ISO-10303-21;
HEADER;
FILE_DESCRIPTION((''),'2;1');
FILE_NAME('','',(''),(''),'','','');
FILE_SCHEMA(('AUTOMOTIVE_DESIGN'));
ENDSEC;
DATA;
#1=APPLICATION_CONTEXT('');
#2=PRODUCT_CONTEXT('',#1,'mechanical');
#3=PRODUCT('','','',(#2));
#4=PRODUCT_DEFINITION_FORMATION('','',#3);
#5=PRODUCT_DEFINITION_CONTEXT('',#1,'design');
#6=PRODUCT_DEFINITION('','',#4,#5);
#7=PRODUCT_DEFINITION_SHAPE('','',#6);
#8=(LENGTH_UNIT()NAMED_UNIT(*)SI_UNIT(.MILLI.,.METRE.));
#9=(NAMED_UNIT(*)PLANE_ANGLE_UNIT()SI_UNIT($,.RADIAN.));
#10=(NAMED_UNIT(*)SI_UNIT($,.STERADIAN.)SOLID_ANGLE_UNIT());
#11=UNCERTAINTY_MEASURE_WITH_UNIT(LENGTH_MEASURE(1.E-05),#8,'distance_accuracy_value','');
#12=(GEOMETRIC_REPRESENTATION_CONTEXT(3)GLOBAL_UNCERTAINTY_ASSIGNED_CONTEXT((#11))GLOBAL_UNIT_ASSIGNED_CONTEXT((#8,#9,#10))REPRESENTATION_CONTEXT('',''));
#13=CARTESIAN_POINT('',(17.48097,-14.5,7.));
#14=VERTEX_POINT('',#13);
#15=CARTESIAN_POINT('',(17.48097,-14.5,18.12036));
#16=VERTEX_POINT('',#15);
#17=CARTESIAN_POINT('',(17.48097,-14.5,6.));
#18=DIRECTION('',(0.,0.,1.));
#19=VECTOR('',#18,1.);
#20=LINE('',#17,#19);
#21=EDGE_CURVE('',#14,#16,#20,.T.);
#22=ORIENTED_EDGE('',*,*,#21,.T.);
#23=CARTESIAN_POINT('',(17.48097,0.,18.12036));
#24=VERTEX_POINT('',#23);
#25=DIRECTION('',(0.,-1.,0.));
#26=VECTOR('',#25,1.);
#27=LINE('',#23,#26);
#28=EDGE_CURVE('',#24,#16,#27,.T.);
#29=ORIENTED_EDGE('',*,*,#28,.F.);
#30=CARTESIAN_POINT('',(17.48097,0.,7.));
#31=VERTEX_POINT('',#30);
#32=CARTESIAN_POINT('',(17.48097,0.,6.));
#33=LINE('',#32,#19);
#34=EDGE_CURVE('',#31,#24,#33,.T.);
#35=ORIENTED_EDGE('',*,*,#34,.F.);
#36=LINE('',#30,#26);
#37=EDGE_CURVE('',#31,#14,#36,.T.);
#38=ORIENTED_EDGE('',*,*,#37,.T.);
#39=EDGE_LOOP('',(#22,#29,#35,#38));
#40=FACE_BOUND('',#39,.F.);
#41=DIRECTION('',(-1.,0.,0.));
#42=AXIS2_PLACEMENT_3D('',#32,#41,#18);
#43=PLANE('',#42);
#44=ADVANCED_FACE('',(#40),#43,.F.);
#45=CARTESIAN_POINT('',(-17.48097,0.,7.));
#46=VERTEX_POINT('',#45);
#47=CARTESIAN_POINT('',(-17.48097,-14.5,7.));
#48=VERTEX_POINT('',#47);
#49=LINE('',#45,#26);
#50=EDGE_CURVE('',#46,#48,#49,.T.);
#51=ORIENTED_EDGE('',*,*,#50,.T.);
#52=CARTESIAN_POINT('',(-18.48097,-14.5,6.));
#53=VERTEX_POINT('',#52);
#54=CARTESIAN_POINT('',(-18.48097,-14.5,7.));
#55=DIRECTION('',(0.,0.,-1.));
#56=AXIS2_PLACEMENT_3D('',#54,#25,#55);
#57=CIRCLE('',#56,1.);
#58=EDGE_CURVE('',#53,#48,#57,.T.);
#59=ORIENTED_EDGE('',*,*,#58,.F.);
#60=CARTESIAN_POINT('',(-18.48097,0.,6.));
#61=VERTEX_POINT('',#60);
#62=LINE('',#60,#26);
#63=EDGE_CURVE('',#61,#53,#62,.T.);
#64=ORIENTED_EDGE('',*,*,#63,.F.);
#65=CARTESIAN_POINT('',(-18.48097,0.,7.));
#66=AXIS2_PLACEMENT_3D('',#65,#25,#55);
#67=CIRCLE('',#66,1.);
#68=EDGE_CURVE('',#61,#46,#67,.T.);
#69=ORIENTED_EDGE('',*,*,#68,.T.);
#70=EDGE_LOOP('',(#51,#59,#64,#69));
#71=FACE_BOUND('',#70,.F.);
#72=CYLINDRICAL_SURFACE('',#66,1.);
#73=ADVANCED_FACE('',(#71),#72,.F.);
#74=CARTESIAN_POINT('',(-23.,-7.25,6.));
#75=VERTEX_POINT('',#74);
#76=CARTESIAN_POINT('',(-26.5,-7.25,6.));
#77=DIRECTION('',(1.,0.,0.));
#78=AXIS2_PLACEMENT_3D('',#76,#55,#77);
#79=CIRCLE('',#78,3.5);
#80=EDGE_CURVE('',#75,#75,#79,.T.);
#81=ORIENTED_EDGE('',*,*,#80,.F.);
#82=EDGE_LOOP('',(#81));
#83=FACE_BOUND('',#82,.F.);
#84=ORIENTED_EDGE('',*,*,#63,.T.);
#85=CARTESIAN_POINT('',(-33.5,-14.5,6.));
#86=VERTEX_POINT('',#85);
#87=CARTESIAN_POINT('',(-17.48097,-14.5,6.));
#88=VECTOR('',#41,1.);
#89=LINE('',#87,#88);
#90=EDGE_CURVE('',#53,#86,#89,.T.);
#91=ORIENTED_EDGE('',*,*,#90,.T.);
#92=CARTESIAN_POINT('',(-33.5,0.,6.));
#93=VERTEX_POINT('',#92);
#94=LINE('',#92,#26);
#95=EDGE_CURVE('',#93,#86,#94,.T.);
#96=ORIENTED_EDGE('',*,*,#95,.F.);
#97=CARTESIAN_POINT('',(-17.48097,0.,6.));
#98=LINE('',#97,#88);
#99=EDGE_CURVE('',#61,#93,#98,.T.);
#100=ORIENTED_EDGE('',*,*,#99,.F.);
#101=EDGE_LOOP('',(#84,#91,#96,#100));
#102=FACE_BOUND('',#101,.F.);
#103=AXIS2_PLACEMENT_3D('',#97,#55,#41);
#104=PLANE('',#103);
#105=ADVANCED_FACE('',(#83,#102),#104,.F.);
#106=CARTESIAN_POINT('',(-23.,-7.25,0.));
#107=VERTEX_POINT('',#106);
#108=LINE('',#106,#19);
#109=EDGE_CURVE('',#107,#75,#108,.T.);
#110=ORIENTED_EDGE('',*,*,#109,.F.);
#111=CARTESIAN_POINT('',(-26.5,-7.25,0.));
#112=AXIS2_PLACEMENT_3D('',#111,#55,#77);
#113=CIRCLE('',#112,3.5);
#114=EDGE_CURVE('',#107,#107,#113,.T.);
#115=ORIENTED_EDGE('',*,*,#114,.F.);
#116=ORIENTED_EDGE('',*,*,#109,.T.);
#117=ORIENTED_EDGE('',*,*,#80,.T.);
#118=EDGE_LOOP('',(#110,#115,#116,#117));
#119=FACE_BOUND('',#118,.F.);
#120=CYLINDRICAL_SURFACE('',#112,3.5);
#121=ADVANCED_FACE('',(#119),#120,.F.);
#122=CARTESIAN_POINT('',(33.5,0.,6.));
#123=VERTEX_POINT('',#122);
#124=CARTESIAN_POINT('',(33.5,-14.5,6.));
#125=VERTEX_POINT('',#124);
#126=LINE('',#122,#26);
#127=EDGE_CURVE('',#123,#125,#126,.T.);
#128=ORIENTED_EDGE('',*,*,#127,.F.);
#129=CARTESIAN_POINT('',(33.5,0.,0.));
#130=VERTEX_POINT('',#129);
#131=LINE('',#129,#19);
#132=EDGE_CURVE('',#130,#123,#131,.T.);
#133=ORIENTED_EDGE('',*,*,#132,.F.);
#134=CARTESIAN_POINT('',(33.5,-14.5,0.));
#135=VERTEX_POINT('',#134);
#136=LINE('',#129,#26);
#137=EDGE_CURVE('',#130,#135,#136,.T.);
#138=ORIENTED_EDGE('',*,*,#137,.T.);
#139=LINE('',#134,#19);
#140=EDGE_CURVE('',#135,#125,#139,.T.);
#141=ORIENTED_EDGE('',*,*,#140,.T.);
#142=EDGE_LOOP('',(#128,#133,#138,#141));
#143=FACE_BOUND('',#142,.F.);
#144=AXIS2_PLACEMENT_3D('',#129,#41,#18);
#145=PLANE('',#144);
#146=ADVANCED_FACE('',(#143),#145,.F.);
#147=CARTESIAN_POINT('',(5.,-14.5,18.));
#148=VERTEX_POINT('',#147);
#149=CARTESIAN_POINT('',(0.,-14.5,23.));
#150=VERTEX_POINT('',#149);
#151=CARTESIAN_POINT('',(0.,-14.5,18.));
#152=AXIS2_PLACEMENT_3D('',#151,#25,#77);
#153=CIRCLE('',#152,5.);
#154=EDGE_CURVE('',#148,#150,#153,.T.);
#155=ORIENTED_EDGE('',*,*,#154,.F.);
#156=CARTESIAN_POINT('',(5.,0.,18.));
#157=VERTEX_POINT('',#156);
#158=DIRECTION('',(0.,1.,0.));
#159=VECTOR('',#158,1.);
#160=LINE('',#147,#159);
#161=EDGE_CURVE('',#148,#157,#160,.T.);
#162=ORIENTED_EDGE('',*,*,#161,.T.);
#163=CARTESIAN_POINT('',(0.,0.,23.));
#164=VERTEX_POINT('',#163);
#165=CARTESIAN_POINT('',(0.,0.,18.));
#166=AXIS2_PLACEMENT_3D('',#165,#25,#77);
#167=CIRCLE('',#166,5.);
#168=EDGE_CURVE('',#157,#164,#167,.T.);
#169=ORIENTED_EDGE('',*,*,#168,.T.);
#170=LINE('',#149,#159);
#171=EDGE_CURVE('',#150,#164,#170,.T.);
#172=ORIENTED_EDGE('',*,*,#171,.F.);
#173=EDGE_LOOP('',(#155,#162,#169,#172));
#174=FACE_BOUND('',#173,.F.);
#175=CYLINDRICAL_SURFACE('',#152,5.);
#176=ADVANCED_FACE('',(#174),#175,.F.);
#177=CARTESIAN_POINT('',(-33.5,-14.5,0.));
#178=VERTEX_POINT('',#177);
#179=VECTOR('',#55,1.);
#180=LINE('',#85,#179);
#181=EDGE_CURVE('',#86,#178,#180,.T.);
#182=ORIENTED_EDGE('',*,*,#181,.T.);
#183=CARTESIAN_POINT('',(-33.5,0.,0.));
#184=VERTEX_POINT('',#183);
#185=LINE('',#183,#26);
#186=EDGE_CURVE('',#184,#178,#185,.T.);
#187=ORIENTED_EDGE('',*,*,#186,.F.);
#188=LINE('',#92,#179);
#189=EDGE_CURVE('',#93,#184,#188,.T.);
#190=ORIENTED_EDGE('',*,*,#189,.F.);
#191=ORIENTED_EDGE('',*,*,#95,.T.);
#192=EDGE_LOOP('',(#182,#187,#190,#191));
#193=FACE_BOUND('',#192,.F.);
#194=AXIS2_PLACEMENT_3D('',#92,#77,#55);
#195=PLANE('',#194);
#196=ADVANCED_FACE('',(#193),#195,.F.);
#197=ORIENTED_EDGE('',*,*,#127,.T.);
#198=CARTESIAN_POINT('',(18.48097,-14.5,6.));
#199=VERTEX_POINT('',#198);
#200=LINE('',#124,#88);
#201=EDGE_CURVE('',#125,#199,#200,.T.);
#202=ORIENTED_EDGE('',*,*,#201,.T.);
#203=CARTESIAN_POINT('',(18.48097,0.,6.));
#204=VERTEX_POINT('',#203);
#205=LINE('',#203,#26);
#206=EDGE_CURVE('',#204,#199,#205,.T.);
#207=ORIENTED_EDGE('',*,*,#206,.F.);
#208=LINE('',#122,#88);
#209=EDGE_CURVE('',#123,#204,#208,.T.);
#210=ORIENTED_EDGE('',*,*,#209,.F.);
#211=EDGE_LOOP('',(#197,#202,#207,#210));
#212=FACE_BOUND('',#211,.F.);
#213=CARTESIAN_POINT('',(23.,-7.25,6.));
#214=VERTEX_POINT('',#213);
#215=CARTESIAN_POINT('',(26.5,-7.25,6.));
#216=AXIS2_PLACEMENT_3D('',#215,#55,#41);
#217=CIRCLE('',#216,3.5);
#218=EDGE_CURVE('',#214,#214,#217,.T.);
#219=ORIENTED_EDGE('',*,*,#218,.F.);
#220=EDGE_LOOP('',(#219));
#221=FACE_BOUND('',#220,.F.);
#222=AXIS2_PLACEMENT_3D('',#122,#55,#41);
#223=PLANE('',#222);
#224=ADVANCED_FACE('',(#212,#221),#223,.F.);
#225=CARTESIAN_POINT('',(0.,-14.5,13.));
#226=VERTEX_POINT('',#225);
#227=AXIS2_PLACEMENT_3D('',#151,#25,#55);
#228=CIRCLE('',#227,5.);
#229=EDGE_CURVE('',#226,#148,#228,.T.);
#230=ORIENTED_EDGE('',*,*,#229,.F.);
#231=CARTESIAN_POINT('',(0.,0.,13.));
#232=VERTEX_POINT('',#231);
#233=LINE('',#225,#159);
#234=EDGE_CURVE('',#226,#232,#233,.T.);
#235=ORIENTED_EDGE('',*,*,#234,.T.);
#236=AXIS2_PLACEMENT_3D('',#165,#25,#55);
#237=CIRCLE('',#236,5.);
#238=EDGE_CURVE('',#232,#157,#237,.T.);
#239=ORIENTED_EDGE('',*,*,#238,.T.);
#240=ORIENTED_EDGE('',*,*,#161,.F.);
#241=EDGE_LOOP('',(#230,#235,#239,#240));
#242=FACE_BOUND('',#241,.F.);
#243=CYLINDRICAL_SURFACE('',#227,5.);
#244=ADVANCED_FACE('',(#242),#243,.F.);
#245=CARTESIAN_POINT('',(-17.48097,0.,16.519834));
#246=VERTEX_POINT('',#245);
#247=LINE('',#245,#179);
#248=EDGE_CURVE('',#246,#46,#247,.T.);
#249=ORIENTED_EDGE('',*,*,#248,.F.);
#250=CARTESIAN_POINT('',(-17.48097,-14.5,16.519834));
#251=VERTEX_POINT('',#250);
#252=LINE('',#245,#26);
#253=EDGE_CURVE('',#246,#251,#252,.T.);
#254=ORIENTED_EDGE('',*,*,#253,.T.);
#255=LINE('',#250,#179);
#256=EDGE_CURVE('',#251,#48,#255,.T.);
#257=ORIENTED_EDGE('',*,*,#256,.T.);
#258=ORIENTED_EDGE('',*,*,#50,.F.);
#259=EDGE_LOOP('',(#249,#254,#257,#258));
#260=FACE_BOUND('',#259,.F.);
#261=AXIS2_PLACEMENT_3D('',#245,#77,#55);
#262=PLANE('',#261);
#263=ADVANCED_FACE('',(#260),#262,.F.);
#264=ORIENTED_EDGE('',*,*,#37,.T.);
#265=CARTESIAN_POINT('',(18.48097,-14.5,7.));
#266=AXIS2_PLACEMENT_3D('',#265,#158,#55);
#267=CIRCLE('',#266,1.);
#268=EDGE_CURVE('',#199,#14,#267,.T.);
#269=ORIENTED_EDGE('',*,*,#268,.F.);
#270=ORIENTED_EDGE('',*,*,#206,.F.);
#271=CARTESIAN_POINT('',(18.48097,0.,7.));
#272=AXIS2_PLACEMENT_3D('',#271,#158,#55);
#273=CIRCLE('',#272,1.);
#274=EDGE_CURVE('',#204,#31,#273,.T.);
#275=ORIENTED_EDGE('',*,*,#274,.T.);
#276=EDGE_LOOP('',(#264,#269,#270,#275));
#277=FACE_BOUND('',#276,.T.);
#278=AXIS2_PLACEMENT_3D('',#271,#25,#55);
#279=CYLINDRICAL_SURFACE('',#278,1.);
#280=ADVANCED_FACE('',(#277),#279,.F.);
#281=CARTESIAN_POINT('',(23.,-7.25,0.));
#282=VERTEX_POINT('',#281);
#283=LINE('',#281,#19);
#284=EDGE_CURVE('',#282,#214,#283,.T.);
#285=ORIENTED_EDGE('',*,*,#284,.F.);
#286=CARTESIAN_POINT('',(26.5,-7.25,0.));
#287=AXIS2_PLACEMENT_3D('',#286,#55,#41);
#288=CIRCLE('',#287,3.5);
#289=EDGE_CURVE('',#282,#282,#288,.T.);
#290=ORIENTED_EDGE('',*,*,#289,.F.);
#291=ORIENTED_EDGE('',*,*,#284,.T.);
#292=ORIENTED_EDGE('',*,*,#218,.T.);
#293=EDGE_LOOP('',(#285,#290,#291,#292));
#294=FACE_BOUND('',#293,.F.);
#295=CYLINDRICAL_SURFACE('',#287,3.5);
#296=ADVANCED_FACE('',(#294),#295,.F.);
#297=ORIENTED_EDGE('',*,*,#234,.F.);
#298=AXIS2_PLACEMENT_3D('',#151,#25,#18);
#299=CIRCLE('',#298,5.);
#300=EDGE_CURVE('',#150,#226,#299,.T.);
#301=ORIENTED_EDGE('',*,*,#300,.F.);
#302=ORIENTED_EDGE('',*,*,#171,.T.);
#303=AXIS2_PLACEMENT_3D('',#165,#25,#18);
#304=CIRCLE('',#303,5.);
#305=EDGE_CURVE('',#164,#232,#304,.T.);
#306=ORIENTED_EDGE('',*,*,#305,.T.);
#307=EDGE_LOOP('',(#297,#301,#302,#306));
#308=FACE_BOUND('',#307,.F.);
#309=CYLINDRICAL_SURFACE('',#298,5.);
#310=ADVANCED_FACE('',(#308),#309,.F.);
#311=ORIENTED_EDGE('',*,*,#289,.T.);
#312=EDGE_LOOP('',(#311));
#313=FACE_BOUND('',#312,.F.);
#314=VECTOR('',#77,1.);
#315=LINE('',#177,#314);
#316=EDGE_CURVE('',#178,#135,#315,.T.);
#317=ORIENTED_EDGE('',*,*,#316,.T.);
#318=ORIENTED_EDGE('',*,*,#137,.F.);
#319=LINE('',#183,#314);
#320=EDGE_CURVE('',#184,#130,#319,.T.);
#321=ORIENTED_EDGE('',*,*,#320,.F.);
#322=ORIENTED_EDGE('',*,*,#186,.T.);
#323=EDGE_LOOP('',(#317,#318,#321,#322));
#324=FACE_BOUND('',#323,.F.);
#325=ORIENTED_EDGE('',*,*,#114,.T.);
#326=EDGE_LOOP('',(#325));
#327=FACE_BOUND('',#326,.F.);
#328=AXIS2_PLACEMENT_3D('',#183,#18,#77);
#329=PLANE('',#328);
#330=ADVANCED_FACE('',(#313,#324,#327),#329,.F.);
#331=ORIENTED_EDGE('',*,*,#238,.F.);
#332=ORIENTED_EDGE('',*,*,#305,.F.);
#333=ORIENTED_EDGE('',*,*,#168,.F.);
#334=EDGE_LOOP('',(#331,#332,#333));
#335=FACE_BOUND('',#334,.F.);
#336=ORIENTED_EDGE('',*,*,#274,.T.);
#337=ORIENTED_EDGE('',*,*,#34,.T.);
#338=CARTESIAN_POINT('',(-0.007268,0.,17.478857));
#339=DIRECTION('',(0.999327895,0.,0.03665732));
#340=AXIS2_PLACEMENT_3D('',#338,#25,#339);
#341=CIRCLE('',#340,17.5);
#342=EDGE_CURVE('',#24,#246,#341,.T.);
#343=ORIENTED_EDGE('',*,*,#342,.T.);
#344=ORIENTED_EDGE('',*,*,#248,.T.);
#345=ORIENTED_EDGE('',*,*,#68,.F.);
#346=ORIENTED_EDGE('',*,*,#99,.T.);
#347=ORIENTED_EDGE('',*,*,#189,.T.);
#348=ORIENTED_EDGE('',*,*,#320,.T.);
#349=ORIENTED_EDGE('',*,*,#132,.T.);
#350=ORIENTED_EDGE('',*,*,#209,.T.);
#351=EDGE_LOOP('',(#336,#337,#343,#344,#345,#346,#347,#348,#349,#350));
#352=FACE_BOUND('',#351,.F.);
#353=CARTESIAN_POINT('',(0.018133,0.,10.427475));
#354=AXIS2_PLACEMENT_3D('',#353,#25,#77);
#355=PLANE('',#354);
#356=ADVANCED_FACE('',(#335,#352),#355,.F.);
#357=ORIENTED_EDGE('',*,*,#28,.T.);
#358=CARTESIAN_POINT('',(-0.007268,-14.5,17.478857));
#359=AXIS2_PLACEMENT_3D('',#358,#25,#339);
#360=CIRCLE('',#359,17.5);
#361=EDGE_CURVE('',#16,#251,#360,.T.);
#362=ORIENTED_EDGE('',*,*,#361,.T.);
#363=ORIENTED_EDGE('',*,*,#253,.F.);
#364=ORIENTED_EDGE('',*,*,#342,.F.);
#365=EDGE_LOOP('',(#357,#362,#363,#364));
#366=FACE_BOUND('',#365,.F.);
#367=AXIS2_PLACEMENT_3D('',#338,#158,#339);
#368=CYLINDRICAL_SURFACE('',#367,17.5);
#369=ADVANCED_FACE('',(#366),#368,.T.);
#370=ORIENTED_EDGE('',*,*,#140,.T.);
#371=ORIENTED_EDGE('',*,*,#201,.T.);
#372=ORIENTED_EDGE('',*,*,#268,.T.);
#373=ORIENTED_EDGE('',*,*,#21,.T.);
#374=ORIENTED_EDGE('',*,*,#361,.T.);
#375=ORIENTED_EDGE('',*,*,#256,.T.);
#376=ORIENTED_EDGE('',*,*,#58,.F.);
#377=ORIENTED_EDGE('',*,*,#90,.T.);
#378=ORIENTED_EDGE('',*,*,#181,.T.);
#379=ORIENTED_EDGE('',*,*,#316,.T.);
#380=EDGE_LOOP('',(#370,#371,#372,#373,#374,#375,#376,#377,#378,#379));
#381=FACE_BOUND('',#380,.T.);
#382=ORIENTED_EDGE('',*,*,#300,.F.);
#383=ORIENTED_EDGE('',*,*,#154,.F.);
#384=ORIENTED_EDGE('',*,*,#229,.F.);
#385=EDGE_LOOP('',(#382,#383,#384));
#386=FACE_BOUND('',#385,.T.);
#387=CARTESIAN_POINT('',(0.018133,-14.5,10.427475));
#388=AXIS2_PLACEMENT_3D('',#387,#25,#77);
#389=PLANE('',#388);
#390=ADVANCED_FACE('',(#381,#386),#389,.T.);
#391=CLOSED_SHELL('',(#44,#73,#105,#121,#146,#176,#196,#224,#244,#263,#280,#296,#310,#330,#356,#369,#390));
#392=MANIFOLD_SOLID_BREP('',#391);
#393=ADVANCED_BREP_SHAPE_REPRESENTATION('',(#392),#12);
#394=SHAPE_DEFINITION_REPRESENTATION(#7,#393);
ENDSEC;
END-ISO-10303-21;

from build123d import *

# Parameters (mm, degrees)
F1_DEPTH = 14.5
F3_DEPTH = 14.5
F4_R     = 1
F5_R     = 3.5
F6_DEPTH = 6


with BuildPart() as f1:
    # F0 (on Front) → F1 (new body)
    with BuildSketch(Plane.XZ):
        with BuildLine():
            Line((-33.5, 0), (-0.8672476206, 0))
            Line((-0.8672476206, 0), (0, 0))
            Line((0, 0), (0.8527118365, 0))
            Line((0.8527118365, 0), (33.5, 0))
            Line((33.5, 0), (33.5, 6))
            Line((33.5, 6), (17.4809702634, 6))
            Line((17.4809702634, 6), (17.4809702634, 16.8373537033))
            Line((17.4809702634, 16.8373537033), (17.4809702634, 18.120359887))
            ThreePointArc((17.4809702634, 18.120359887), (-0.8075640242, 34.9605479634), (-17.4809702634, 16.5198336275))
            Line((-17.4809702634, 16.5198336275), (-17.4809702634, 6))
            Line((-17.4809702634, 6), (-33.5, 6))
            Line((-33.5, 6), (-33.5, 0))
        make_face()
    extrude(amount=F1_DEPTH)

    # F2 (on face) → F3 (cut, through all)
    with BuildSketch(Plane.XZ.offset(14.5)):
        with BuildLine():
            ThreePointArc((0, 23), (-5, 18), (0, 13))
            Line((0, 13), (0, 23))
        make_face()
        with BuildLine():
            Line((0, 23), (0, 13))
            ThreePointArc((0, 13), (3.5355339059, 14.4644660941), (5, 18))
            ThreePointArc((5, 18), (3.5355339059, 21.5355339059), (0, 23))
        make_face()
    extrude(amount=-F3_DEPTH, mode=Mode.SUBTRACT)

    # F4
    f4_edges = [f1.edges().sort_by_distance(p)[0] for p in [
        (-17.48097, -7.25, 6),
        (17.48097, -7.25, 6),
    ]]
    fillet(f4_edges, radius=F4_R)

    # F5 (on face) → F6 (cut, through all)
    with BuildSketch(Plane(origin=(0, 0, 0), x_dir=(1, 0, 0), z_dir=(0, 0, -1))):
        with BuildLine():
            Line((23, 7.25), (30, 7.25))
            ThreePointArc((30, 7.25), (26.5, 10.75), (23, 7.25))
        make_face()
        with BuildLine():
            ThreePointArc((23, 7.25), (26.5, 3.75), (30, 7.25))
            Line((30, 7.25), (23, 7.25))
        make_face()
        with Locations((-26.5, 7.25)):
            Circle(F5_R)
    extrude(amount=-F6_DEPTH, mode=Mode.SUBTRACT)


solid = f1.part
